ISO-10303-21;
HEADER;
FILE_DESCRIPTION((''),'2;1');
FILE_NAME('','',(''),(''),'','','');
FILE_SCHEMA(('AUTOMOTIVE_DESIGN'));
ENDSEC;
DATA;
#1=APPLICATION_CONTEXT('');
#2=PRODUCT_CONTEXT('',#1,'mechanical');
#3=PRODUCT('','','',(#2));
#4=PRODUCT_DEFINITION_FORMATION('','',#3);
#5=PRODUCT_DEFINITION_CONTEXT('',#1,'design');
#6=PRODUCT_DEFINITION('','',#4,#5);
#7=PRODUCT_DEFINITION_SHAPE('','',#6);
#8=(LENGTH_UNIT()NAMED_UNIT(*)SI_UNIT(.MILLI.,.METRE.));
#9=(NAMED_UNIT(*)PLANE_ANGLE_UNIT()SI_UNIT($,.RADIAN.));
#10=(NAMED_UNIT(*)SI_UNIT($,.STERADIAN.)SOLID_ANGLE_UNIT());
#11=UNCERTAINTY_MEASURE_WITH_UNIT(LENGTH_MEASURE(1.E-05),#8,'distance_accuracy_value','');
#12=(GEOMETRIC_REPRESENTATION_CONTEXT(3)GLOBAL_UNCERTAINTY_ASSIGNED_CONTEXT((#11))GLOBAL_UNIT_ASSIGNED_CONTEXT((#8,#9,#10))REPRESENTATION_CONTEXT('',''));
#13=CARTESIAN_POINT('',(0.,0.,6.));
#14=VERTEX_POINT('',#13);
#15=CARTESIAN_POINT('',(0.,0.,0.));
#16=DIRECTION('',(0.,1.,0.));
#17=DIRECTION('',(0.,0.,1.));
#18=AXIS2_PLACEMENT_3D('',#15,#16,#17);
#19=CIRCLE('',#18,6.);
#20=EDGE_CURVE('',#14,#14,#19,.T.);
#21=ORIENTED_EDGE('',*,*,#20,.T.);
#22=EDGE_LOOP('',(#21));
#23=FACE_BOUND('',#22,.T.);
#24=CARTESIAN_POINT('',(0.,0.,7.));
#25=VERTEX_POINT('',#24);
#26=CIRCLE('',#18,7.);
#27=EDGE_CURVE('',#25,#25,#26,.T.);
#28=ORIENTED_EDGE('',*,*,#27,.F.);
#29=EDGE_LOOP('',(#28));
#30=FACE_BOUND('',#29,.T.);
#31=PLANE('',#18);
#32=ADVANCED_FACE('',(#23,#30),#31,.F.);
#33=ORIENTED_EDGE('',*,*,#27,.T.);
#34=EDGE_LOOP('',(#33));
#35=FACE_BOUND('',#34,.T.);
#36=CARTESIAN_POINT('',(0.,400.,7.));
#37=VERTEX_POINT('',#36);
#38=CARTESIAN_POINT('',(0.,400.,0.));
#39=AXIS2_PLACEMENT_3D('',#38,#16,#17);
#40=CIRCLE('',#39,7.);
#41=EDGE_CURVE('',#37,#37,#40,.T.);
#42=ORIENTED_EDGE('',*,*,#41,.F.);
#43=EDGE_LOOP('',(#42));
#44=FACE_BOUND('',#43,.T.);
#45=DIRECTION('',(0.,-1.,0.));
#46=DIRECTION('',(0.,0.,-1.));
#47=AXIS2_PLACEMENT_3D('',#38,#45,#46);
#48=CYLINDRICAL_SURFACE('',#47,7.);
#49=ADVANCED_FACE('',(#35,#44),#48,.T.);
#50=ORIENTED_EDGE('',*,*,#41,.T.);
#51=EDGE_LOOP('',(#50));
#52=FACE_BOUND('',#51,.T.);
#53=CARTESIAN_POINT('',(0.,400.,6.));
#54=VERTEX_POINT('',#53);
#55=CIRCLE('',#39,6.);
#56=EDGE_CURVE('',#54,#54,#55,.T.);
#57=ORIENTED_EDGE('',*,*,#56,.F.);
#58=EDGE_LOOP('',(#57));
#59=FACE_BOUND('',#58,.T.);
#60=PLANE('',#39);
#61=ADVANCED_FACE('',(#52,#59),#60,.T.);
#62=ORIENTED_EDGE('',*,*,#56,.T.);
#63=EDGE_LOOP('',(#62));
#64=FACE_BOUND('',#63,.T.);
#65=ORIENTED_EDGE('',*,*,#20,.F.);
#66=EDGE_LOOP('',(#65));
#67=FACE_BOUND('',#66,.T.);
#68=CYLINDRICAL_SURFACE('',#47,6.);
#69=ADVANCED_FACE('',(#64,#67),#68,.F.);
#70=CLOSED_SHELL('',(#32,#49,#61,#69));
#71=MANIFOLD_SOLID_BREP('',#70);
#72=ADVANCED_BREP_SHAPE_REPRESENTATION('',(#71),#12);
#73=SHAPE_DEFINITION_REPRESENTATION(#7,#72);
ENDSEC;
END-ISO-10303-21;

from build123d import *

# Parameters (mm, degrees)
SKETCH_1_R      = 7
SKETCH_1_R_2    = 6
EXTRUDE_1_DEPTH = 400


with BuildPart() as part:
    # Эскиз1 → Бобышка-Вытянуть1 (new body)
    with BuildSketch(Plane(origin=(0, 0, 0), x_dir=(1, 0, 0), z_dir=(0, 1, 0))):
        Circle(SKETCH_1_R)
        Circle(SKETCH_1_R_2, mode=Mode.SUBTRACT)
    extrude(amount=EXTRUDE_1_DEPTH)


solid = part.part
